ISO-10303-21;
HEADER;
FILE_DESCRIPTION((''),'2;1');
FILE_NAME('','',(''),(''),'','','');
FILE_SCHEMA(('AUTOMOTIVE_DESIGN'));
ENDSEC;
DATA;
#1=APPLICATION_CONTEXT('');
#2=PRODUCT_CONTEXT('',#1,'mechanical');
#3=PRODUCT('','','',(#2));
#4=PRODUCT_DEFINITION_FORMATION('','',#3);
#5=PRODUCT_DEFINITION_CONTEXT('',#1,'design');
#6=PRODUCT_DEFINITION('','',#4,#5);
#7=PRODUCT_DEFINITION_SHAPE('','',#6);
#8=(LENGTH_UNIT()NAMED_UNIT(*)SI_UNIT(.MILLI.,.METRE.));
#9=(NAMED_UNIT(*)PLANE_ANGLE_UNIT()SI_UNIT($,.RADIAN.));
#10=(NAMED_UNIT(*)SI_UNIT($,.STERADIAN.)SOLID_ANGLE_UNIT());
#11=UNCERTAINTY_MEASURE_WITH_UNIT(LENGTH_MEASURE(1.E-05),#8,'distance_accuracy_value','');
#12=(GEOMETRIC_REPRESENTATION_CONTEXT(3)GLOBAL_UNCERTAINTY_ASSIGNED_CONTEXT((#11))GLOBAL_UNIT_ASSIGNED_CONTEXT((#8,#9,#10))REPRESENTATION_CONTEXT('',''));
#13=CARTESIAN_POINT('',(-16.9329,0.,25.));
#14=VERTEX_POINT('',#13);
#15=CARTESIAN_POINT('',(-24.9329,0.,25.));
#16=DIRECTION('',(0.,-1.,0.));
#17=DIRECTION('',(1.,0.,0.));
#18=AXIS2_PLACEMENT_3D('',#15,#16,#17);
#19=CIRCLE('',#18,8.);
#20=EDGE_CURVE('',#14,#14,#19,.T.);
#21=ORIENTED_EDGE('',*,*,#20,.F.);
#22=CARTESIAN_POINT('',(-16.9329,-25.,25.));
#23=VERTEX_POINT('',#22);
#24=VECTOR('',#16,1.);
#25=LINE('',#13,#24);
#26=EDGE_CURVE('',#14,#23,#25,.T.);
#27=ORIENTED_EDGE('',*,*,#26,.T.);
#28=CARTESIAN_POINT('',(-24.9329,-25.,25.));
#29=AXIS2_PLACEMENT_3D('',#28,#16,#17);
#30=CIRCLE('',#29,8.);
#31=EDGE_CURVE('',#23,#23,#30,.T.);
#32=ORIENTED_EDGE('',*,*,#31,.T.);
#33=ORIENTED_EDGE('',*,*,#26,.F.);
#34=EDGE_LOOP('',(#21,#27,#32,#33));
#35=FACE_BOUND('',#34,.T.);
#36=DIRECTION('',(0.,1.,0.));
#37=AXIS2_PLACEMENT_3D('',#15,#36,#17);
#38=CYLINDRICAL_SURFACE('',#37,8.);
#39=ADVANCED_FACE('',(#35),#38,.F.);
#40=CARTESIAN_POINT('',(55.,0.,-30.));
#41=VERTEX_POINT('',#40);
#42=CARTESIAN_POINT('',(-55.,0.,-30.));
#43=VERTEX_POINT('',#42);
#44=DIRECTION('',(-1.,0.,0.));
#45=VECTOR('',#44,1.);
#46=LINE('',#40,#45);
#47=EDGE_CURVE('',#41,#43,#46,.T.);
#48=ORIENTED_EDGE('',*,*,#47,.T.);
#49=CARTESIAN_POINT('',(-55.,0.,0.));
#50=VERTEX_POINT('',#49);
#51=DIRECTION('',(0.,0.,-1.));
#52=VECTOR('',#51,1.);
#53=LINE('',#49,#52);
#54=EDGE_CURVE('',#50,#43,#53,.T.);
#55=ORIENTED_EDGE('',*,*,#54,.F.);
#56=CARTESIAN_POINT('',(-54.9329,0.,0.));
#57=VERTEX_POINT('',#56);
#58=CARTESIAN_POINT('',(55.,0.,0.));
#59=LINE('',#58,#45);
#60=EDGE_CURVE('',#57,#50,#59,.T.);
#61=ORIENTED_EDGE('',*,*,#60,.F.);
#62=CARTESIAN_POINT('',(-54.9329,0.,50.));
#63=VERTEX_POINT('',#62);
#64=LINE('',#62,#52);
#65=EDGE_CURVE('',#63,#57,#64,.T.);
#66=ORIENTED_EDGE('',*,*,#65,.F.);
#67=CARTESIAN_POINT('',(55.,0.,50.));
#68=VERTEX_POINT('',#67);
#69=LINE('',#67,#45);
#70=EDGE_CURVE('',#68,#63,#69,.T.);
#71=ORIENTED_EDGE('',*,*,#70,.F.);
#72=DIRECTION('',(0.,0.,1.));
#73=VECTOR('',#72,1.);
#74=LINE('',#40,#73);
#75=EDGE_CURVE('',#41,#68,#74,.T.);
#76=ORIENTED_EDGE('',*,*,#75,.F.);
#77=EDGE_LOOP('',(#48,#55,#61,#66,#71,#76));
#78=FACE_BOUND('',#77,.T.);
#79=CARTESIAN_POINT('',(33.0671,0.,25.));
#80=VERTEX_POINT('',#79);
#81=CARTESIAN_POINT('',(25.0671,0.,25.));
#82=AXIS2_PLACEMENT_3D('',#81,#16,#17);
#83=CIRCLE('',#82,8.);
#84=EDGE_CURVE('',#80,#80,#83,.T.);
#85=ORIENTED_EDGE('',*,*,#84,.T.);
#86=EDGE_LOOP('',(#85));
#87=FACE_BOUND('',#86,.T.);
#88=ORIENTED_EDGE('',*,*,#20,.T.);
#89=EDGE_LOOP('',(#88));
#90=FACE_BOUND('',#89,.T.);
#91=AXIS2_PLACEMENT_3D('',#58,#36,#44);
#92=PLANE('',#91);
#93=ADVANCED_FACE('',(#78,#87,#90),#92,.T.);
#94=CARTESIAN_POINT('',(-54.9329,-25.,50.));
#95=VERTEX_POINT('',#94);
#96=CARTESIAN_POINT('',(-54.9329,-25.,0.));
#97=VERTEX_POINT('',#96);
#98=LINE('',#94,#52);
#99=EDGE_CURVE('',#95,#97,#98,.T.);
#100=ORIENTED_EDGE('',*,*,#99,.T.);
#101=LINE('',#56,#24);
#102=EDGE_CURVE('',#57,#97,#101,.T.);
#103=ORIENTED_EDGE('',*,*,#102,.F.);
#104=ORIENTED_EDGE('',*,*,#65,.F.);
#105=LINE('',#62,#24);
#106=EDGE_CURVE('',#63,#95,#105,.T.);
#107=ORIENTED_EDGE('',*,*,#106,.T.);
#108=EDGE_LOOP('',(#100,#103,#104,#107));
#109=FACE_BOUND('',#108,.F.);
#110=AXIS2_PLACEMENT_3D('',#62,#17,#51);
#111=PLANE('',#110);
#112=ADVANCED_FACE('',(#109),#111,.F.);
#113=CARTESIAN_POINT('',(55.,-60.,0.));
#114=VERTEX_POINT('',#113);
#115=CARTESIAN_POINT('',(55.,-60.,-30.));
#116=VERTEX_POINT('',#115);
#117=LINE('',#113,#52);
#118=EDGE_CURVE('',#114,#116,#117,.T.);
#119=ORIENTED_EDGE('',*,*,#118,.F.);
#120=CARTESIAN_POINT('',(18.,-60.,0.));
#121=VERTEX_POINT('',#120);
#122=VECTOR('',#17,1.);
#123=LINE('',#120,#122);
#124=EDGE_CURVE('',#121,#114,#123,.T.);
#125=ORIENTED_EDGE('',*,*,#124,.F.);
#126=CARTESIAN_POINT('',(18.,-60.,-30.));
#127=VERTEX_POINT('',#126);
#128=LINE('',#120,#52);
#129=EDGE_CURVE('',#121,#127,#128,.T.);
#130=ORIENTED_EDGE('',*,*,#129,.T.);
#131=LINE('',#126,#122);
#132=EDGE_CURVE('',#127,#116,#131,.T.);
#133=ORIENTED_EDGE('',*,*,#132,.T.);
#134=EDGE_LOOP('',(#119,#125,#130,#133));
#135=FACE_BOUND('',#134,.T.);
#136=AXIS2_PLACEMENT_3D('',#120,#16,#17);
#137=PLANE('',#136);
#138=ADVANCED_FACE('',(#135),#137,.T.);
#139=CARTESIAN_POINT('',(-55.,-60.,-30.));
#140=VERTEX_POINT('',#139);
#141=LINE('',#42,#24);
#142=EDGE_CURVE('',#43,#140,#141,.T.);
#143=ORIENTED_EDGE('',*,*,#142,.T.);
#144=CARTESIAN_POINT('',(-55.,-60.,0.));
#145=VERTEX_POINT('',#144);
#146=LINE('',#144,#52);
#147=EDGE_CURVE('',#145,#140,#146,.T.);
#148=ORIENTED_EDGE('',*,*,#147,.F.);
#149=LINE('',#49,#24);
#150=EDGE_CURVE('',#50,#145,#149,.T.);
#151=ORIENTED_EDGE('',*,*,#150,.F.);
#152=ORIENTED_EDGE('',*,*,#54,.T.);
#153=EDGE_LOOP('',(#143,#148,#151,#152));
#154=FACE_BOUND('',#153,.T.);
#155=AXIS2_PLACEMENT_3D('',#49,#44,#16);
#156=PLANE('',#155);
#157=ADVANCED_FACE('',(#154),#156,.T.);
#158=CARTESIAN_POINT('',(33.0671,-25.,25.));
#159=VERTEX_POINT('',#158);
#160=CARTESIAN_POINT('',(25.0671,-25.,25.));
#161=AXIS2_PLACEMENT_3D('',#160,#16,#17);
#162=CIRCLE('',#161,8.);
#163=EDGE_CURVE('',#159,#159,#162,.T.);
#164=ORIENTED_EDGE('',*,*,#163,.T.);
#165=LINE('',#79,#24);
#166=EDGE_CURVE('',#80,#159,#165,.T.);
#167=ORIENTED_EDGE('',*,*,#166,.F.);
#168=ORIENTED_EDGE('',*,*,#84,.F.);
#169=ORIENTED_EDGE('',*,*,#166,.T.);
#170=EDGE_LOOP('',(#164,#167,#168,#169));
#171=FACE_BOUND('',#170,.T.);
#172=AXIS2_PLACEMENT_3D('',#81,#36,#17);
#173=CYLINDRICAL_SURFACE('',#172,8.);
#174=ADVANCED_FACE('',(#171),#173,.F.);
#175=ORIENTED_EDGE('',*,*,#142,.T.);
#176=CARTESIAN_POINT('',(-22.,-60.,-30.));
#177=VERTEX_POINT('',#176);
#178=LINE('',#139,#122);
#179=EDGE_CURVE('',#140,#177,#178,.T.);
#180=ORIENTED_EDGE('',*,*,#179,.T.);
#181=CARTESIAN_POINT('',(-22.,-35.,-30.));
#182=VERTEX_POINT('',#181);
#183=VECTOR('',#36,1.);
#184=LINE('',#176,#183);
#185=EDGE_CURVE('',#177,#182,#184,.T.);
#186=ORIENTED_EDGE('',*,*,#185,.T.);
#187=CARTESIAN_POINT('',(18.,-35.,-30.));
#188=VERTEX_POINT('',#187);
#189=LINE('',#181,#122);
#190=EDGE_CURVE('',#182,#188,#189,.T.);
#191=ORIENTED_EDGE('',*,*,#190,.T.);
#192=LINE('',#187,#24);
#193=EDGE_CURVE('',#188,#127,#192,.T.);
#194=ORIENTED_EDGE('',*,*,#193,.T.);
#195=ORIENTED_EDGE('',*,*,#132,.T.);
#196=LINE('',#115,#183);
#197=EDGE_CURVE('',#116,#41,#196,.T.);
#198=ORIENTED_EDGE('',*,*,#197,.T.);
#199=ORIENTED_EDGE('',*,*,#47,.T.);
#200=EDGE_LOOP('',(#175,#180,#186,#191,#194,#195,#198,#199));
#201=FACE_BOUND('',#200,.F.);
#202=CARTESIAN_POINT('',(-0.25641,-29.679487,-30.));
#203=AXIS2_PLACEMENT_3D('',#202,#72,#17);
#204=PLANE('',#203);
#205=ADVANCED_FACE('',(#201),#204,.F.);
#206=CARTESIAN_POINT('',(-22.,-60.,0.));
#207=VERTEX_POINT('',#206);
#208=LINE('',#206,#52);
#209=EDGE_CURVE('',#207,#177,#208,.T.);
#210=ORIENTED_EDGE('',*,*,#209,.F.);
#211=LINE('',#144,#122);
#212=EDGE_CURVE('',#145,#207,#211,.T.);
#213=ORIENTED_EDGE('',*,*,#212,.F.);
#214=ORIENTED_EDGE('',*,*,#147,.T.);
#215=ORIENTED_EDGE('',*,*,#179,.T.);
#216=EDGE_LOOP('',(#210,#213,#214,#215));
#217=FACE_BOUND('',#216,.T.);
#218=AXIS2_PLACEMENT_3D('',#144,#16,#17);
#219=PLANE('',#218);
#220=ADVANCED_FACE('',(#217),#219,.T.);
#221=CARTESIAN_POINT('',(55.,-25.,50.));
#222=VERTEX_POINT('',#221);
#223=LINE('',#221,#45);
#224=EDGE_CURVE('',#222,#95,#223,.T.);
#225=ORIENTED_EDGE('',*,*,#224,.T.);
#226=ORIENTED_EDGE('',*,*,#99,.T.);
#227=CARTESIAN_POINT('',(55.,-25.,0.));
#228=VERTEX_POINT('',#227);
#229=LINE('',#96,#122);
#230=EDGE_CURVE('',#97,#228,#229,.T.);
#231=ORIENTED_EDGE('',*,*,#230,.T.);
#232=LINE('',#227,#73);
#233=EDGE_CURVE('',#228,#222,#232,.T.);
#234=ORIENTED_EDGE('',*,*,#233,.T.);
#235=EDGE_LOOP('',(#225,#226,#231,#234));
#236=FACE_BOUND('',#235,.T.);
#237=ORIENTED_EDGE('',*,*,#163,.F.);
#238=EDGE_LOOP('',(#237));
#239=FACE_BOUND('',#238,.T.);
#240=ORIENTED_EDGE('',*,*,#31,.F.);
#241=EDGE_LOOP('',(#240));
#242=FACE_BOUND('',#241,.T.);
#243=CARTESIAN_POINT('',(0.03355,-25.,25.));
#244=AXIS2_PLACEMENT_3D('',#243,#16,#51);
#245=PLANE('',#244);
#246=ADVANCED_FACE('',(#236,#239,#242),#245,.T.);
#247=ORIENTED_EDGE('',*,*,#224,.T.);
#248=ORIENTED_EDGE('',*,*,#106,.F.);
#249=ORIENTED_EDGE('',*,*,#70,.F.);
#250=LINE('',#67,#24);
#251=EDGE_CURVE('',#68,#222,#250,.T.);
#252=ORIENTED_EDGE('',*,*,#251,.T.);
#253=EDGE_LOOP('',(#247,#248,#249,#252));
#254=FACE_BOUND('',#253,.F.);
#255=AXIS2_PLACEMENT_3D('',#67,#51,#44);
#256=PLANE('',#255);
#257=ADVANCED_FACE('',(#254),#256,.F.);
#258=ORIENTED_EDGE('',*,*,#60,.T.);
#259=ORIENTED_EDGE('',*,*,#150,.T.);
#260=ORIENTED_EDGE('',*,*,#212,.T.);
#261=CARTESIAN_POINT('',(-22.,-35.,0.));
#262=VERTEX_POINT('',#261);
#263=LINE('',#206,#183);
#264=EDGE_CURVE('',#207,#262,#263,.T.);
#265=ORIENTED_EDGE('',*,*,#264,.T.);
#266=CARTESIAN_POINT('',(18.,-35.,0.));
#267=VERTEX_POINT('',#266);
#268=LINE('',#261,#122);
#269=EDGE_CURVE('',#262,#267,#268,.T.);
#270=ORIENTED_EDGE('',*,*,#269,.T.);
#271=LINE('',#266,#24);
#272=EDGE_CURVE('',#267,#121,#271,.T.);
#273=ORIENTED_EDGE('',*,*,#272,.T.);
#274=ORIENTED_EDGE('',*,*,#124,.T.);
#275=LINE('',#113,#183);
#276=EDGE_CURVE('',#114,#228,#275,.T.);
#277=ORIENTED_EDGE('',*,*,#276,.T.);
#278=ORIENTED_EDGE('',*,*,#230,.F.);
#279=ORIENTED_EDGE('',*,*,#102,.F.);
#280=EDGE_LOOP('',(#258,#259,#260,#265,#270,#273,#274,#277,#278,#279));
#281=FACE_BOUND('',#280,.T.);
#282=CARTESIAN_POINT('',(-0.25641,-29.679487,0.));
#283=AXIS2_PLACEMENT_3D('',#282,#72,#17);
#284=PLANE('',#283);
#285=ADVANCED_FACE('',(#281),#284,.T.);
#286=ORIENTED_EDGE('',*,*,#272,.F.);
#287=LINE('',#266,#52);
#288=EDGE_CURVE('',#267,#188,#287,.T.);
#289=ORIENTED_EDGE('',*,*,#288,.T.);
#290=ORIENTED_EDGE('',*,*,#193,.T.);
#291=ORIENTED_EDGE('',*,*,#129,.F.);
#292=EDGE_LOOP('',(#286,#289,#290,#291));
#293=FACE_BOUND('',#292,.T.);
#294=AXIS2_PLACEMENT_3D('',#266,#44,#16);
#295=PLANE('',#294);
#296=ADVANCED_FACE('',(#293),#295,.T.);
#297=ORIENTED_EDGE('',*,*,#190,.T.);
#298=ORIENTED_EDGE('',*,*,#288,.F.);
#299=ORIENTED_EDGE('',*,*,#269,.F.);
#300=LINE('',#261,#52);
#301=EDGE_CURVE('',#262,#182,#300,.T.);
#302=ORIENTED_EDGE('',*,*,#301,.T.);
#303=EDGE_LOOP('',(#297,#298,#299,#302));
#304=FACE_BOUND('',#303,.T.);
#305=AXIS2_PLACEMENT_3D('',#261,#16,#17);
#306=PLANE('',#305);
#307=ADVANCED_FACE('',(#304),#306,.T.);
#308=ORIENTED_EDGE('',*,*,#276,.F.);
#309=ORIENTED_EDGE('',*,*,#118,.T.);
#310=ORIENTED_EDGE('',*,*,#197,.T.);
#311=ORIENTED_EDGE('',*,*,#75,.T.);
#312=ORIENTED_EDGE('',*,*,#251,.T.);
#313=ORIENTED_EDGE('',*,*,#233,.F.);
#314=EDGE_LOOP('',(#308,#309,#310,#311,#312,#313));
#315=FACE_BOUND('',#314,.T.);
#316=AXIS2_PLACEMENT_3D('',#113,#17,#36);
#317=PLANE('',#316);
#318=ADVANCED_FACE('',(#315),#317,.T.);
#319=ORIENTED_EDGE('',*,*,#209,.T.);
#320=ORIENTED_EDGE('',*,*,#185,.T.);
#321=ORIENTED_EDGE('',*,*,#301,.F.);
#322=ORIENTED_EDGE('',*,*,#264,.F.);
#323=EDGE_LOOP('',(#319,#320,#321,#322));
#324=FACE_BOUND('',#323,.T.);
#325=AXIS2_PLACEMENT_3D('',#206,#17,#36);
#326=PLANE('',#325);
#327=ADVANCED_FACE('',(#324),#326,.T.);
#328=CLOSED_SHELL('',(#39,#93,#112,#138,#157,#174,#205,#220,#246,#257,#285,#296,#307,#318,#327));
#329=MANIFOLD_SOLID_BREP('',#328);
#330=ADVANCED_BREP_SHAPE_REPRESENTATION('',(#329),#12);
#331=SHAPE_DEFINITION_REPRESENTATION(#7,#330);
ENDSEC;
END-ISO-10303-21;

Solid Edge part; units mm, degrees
sketch "Sketch1" plane through (0, 0, 0) normal (0, 0, 1) x (1, 0, 0)
  line L0 (55, -60) -> (55, 0)
  line L1 (55, 0) -> (-55, 0)
  line L2 (-55, 0) -> (-55, -60)
  line L3 (-55, -60) -> (-22, -60)
  line L4 (-22, -60) -> (-22, -35)
  line L5 (-22, -35) -> (18, -35)
  line L6 (18, -35) -> (18, -60)
  line L7 (18, -60) -> (55, -60)
extrude "Protrusion1" add sketch "Sketch1" against normal blind 30
sketch "Sketch2" plane through (0, 0, 0) normal (0, -1, 0) x (1, 0, 0)
  circle A0 centre (-24.9329, 25) radius 8
  circle A1 centre (25.0671, 25) radius 8
  line L0 (-54.9329, 0) -> (55, 0)
  line L1 (55, 0) -> (55, 50)
  line L2 (55, 50) -> (-54.9329, 50)
  line L3 (-54.9329, 50) -> (-54.9329, 0)
  dimension "D1" = 16
  dimension "D2" = 16
  dimension "D3" = 30
  dimension "D4" = 50
  dimension "D5" = 25
extrude "ExtrudedProtrusion_2" add sketch "Sketch2" along normal blind 25
